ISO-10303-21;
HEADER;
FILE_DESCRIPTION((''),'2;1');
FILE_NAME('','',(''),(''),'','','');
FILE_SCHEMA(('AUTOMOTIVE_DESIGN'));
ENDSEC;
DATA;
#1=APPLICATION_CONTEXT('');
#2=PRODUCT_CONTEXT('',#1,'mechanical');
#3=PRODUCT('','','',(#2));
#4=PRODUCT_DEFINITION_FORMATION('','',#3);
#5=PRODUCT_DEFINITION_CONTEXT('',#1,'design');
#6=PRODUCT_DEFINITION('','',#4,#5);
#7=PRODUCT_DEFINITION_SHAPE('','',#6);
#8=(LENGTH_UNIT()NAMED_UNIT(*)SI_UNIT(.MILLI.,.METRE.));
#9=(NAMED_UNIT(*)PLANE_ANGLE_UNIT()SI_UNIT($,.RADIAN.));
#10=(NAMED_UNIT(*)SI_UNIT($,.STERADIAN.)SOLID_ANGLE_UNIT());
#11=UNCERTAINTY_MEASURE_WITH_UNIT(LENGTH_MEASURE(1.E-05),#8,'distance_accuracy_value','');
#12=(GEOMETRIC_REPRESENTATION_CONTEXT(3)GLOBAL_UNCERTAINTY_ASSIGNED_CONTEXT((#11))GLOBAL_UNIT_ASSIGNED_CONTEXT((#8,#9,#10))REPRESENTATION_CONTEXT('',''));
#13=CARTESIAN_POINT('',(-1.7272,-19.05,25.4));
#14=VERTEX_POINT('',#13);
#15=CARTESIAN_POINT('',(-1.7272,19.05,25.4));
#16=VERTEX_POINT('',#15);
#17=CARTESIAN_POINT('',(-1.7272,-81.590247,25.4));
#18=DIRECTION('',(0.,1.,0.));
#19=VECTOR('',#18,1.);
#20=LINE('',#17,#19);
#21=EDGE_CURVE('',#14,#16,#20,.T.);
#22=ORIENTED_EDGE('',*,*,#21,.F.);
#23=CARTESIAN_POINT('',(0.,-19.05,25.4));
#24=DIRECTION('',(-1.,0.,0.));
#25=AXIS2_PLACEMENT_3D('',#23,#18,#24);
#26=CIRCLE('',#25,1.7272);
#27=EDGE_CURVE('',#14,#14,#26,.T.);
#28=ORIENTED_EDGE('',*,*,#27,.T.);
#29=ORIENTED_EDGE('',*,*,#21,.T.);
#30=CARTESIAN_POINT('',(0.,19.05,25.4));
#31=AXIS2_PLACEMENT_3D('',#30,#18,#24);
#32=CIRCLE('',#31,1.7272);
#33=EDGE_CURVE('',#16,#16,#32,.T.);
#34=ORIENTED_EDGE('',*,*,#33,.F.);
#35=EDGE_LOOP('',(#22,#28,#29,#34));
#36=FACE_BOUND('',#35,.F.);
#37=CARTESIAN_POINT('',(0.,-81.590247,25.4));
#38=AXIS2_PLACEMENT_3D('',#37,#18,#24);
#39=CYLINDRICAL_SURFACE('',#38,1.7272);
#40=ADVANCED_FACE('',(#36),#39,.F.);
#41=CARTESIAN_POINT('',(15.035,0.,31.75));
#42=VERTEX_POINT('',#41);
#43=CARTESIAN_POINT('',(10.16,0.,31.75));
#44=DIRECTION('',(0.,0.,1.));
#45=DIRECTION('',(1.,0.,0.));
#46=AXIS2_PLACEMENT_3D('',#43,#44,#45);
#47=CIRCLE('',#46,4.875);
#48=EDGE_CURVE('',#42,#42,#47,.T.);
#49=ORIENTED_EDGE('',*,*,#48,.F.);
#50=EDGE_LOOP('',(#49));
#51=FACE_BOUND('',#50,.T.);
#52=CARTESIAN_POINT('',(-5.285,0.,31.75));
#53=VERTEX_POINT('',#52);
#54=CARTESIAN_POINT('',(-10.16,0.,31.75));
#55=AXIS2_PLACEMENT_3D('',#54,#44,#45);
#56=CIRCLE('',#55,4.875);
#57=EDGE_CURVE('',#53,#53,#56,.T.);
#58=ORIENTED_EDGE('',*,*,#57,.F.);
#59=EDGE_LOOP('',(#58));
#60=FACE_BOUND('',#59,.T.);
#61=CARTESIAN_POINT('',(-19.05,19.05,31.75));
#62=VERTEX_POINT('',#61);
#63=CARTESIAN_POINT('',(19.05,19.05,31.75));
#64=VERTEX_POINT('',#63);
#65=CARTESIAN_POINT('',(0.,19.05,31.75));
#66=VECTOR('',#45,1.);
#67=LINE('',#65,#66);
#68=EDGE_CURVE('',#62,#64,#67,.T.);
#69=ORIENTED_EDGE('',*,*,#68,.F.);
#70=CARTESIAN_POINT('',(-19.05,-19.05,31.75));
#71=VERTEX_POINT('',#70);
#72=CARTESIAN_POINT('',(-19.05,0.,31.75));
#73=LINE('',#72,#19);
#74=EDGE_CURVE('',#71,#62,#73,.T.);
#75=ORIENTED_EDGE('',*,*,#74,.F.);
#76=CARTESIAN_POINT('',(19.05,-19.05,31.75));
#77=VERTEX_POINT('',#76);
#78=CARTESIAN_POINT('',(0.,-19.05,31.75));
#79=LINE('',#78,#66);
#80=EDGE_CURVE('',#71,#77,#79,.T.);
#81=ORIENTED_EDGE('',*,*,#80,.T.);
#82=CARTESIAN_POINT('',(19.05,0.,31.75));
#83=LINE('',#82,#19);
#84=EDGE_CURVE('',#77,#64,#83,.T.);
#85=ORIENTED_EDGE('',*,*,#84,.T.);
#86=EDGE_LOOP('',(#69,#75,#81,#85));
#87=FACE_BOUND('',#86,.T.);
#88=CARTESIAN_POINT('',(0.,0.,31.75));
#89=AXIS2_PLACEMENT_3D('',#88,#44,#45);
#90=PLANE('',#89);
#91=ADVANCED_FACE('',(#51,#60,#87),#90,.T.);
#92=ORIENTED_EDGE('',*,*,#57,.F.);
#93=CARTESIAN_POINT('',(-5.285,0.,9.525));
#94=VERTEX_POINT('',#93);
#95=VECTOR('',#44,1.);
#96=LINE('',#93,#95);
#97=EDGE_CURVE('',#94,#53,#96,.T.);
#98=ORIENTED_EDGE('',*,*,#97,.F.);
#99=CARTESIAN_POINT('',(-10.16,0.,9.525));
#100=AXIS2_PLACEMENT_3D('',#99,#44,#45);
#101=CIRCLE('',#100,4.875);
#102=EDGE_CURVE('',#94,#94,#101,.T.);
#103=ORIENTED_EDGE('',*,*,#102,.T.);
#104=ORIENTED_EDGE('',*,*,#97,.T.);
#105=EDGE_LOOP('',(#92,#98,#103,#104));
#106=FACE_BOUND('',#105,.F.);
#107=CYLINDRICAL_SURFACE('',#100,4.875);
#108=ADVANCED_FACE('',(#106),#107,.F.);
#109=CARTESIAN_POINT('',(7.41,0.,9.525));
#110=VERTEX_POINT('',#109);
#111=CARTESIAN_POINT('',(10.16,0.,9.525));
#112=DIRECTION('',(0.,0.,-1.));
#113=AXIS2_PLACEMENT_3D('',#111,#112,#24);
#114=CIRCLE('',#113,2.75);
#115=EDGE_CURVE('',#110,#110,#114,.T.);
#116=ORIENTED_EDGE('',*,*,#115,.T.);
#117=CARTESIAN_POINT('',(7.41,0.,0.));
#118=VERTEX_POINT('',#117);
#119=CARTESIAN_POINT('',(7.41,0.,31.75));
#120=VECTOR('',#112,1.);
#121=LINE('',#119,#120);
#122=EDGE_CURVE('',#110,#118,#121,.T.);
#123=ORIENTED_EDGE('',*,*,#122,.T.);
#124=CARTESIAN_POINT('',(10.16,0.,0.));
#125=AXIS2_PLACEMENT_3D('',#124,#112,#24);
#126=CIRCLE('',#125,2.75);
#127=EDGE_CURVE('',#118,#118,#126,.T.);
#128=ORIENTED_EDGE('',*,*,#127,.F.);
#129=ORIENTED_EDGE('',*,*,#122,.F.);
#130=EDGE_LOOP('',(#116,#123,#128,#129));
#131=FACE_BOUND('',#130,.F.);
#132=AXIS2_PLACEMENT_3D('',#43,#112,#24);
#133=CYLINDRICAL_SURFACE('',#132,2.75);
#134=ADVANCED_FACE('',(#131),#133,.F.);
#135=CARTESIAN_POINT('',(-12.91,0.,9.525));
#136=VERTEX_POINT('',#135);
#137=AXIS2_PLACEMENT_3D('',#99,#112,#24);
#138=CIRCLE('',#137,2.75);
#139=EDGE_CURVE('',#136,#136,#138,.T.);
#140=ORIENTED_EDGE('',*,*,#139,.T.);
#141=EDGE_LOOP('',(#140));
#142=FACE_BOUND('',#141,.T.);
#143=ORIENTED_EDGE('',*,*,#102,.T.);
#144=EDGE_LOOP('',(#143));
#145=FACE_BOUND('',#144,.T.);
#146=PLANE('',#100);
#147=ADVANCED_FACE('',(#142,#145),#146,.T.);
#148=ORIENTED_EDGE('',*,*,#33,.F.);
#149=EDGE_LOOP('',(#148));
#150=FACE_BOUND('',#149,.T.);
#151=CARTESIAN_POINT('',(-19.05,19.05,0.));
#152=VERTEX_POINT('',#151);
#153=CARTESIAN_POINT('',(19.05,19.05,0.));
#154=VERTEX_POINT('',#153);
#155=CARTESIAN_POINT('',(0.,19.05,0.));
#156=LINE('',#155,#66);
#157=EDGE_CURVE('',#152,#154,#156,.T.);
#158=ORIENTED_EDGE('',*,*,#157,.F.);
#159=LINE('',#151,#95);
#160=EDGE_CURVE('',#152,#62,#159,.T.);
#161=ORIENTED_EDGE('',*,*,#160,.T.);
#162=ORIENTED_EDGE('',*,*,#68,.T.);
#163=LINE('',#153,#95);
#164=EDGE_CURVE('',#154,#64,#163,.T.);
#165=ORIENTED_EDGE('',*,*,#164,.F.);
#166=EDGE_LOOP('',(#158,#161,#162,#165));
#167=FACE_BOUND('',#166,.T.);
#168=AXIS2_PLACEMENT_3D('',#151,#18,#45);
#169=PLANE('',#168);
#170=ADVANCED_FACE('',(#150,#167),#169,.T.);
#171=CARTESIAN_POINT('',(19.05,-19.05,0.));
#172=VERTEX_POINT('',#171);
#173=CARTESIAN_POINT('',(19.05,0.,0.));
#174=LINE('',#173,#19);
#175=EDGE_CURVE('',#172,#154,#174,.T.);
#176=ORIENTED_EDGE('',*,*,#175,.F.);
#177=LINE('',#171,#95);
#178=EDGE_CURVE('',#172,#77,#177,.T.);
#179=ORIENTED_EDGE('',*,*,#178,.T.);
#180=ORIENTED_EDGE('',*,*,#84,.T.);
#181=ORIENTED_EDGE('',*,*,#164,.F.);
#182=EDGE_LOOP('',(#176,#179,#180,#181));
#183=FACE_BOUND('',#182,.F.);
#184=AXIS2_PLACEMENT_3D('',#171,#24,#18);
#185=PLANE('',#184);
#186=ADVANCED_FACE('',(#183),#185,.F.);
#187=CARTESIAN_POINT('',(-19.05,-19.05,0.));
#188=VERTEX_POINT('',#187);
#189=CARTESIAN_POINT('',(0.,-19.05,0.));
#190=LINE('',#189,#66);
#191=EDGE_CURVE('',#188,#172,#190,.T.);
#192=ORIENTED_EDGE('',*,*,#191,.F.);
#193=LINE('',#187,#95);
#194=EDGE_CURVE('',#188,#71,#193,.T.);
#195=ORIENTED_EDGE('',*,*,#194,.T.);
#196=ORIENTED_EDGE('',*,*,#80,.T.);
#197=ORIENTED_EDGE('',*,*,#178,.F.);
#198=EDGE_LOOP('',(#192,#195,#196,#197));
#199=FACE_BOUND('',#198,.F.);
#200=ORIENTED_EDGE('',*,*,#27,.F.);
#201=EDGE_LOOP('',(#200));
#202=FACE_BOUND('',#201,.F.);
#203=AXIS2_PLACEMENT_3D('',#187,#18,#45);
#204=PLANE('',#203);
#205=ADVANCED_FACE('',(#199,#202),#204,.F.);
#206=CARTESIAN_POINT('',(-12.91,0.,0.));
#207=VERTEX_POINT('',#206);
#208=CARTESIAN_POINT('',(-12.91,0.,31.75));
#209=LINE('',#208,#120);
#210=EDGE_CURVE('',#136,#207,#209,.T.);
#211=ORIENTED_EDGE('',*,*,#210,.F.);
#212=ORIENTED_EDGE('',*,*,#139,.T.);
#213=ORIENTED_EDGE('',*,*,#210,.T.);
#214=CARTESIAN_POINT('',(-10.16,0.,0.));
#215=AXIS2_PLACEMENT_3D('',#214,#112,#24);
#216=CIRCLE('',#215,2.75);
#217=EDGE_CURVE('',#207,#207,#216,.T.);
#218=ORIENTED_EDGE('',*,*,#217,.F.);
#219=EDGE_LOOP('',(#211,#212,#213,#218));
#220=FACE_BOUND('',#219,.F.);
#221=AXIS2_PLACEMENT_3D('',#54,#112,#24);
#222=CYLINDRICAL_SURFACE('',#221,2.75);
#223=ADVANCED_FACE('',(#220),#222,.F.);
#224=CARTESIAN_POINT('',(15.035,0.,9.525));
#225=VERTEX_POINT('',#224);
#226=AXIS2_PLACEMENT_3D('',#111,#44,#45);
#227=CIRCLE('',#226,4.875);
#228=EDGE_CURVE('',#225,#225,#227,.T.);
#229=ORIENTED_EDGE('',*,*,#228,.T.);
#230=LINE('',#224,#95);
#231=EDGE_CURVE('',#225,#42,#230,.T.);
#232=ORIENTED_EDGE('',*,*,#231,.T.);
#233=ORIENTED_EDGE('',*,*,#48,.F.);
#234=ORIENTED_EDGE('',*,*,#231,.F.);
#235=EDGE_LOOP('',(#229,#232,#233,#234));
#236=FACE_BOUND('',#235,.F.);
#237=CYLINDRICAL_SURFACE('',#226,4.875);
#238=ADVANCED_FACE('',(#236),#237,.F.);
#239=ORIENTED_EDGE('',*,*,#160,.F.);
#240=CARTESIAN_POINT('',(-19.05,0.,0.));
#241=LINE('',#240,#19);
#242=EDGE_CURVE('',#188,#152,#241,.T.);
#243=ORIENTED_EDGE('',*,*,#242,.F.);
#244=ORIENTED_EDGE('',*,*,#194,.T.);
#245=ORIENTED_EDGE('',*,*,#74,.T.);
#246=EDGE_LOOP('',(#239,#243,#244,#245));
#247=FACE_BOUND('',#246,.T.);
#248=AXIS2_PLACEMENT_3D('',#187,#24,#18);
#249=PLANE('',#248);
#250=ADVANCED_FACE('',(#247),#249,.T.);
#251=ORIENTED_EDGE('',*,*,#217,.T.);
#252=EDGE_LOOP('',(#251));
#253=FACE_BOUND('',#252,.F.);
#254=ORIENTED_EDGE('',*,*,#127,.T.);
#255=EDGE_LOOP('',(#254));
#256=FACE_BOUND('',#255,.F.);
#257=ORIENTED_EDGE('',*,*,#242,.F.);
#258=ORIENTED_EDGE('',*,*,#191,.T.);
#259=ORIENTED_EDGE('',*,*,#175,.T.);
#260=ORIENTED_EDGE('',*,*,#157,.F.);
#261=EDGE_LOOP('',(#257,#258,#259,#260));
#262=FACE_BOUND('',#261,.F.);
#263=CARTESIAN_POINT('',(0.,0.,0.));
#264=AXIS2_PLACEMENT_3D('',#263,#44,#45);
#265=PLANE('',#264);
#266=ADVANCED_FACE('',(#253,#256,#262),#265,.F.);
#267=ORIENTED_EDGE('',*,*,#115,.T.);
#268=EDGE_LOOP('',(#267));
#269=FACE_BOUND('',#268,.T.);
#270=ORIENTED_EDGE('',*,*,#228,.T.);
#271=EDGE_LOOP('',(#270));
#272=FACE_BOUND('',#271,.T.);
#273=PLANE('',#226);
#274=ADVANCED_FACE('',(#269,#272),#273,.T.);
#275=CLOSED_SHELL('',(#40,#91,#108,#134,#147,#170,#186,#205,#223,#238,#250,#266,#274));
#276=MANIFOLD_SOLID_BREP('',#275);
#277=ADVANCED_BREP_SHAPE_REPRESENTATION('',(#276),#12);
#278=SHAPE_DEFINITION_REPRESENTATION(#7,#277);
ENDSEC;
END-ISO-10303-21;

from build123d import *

# Parameters (mm, degrees)
F0_W           = 38.1
F0_H           = 38.1
F1_DEPTH       = 31.75
F3_D           = 3.4544
F5_D           = 5.5
F5_CBORE_D     = 9.75
F5_CBORE_DEPTH = 22.225


with BuildPart() as f1:
    # F0 (on Top) → F1 (new body)
    with BuildSketch(Plane.XY):
        Rectangle(F0_W, F0_H)
    extrude(amount=F1_DEPTH)

    # F3 (through all)
    with Locations(Plane.XZ.offset(19.05)):
        with Locations((0, 25.4)):
            Hole(F3_D / 2)

    # F5 (through all)
    with Locations(Plane.XY.offset(31.75)):
        with Locations((10.16, 0), (-10.16, 0)):
            CounterBoreHole(F5_D / 2, F5_CBORE_D / 2, F5_CBORE_DEPTH)


solid = f1.part
